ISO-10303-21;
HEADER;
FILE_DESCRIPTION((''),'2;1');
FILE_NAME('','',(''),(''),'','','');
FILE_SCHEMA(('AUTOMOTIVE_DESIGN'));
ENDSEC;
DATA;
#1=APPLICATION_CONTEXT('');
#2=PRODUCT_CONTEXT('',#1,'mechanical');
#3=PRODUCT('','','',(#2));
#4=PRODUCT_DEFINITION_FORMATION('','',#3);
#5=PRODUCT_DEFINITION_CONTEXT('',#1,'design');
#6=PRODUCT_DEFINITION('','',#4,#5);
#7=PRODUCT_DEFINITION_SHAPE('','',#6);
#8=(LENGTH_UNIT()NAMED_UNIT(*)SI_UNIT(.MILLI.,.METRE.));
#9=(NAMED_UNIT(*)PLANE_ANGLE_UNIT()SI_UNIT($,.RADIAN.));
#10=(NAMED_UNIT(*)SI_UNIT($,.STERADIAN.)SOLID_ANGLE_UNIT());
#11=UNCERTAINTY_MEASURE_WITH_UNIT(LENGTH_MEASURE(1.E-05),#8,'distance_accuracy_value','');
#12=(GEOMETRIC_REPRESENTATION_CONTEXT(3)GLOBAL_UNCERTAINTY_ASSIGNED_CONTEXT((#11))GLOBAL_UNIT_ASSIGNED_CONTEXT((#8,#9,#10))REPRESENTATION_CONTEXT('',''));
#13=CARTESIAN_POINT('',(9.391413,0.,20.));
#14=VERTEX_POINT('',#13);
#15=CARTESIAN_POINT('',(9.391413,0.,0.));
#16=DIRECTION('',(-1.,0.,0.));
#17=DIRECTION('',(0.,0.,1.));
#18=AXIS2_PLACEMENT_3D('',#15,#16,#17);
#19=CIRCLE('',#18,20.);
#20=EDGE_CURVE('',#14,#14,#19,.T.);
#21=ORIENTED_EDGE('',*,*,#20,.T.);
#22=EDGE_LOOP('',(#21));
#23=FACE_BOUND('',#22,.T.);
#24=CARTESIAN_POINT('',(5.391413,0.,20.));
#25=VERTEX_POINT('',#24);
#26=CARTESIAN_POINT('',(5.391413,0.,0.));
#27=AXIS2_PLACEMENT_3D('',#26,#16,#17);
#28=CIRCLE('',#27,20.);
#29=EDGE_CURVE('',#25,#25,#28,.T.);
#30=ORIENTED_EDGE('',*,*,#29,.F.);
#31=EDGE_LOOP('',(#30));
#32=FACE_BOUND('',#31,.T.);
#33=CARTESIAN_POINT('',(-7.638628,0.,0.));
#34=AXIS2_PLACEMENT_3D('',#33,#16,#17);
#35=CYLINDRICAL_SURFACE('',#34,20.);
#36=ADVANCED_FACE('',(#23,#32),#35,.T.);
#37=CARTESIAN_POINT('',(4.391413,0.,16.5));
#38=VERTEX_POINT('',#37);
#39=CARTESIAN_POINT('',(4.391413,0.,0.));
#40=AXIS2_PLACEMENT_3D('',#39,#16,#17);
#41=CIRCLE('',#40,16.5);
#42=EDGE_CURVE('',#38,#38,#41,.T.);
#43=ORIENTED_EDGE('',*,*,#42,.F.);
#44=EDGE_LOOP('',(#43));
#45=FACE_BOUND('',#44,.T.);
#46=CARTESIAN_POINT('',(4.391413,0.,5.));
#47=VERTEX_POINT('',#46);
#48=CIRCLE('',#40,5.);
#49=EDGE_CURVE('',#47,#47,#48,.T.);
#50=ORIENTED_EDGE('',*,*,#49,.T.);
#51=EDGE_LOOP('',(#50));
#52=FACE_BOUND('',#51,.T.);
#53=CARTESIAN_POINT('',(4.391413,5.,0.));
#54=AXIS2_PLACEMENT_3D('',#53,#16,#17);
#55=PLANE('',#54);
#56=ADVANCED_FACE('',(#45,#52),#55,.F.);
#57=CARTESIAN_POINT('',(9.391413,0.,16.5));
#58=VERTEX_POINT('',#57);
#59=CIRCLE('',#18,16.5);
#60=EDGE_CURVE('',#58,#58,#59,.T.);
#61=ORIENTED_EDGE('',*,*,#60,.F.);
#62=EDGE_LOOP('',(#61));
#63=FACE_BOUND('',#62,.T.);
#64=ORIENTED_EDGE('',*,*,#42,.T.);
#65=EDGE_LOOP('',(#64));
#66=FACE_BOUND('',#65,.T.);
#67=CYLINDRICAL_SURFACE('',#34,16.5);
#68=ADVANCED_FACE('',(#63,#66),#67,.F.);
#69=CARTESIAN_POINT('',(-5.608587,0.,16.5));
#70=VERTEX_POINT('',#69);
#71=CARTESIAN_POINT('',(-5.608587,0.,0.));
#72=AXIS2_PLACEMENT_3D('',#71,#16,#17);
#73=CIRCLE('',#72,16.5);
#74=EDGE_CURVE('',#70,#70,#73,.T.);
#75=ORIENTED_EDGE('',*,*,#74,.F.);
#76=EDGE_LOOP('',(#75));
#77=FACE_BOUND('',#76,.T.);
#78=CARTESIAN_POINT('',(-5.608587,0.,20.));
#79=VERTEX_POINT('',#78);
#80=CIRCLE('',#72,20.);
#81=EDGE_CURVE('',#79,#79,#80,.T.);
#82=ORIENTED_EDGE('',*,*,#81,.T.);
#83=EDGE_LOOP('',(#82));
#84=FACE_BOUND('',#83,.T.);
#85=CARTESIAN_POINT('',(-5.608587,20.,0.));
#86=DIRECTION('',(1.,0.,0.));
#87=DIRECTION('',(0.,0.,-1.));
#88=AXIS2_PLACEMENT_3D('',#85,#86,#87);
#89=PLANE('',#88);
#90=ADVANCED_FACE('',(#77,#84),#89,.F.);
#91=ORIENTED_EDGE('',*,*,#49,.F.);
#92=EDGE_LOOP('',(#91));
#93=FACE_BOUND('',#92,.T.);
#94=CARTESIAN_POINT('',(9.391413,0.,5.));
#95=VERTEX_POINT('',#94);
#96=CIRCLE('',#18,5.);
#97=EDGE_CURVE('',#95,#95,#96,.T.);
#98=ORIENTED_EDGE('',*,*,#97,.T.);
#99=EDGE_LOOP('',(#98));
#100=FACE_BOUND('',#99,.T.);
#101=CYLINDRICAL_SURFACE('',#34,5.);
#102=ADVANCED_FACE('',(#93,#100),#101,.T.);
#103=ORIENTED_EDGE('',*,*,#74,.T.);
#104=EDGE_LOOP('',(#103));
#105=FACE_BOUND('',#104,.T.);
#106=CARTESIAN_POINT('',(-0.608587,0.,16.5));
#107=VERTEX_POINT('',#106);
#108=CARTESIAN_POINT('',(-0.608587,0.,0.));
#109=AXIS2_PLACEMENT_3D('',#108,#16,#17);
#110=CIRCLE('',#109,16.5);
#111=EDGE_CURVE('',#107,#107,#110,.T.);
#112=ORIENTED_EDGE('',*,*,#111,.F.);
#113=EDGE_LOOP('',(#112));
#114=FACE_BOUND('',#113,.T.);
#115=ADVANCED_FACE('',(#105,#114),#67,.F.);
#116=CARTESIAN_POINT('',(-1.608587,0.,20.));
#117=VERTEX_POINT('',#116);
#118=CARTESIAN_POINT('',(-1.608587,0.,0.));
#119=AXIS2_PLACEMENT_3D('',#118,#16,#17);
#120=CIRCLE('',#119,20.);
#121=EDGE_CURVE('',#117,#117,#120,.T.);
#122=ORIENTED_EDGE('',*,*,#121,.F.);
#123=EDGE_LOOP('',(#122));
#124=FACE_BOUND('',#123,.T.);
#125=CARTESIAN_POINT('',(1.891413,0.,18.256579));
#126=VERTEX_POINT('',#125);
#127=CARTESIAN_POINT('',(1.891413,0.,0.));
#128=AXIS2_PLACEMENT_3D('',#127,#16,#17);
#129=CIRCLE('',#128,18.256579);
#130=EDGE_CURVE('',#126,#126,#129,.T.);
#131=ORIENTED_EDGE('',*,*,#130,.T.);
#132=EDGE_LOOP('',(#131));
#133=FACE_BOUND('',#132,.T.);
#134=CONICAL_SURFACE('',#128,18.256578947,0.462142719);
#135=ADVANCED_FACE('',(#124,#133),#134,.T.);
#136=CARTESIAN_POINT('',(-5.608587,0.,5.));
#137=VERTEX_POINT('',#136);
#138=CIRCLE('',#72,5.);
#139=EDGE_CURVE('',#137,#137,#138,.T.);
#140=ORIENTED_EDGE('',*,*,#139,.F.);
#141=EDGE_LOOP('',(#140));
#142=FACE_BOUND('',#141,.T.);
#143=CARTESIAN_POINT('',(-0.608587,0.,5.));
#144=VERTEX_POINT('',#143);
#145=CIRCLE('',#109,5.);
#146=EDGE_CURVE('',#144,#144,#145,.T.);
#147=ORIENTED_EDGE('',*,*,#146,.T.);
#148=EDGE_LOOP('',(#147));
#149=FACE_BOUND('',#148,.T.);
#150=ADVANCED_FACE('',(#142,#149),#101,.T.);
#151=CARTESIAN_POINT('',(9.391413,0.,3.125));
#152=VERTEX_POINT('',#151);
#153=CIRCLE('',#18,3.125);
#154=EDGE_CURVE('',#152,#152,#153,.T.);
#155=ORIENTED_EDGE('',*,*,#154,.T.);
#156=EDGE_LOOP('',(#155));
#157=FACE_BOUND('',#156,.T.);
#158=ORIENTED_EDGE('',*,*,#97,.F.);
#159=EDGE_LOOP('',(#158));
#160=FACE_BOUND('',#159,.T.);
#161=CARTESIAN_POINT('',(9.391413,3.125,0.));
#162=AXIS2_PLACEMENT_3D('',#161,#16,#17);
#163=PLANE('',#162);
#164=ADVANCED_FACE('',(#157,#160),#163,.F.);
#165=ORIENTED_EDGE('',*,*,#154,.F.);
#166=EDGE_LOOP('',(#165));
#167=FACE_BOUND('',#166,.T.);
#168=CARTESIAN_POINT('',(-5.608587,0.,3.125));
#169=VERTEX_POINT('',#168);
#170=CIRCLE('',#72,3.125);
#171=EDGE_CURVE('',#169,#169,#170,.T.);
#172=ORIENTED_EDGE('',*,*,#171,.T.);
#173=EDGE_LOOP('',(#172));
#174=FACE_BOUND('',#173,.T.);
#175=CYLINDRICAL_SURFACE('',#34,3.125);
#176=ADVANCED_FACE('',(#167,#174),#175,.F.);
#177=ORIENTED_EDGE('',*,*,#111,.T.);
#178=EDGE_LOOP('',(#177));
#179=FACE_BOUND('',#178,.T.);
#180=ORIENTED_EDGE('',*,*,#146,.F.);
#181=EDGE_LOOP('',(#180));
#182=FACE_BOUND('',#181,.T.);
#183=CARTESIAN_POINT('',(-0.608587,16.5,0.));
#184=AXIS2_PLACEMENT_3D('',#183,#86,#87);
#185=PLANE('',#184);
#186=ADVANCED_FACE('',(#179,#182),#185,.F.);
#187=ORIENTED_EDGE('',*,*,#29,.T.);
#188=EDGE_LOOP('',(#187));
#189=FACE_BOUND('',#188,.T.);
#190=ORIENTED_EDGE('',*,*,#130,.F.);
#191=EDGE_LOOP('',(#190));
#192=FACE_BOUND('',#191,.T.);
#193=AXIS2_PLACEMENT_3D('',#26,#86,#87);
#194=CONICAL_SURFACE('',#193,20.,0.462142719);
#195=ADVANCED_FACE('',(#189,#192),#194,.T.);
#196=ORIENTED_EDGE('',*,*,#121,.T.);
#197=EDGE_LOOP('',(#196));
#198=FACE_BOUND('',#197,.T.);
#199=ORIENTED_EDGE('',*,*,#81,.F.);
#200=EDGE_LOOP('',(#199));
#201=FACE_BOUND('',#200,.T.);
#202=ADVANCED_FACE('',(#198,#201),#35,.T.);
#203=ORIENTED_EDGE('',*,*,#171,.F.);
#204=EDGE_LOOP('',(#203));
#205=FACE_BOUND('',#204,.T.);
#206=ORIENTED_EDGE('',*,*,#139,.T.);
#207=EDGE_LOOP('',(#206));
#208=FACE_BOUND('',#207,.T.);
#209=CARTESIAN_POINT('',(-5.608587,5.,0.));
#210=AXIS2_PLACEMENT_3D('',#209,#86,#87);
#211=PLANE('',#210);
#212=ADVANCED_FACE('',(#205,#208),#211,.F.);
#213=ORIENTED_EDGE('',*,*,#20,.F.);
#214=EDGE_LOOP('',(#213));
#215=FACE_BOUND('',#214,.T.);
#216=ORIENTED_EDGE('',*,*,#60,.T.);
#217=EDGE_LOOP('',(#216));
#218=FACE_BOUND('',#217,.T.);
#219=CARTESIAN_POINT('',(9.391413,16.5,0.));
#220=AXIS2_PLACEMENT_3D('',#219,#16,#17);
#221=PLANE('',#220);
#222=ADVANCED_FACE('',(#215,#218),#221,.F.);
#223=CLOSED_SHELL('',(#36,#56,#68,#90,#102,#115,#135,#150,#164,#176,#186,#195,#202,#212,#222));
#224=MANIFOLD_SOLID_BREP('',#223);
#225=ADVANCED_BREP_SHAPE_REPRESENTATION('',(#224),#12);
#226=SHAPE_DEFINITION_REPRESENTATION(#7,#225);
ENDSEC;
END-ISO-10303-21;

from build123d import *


with BuildPart() as part:
    # Çizim1 → Döndür1 (revolve)
    with BuildSketch(Plane.XY, mode=Mode.PRIVATE) as d_nd_r1_sk:
        Polygon((-5.608586602, 3.125), (9.391413398, 3.125), (9.391413398, 5), (4.391413398, 5), (4.391413398, 16.5), (9.391413398, 16.5), (9.391413398, 20), (5.391413398, 20), (1.891413398, 18.256578947), (-1.608586602, 20), (-5.608586602, 20), (-5.608586602, 16.5), (-0.608586602, 16.5), (-0.608586602, 5), (-5.608586602, 5), align=None)
    revolve(d_nd_r1_sk.sketch.rotate(Axis((-7.63862782, 0, 0), (1, 0, 0)), 90), axis=Axis((-7.63862782, 0, 0), (1, 0, 0)))


solid = part.part
